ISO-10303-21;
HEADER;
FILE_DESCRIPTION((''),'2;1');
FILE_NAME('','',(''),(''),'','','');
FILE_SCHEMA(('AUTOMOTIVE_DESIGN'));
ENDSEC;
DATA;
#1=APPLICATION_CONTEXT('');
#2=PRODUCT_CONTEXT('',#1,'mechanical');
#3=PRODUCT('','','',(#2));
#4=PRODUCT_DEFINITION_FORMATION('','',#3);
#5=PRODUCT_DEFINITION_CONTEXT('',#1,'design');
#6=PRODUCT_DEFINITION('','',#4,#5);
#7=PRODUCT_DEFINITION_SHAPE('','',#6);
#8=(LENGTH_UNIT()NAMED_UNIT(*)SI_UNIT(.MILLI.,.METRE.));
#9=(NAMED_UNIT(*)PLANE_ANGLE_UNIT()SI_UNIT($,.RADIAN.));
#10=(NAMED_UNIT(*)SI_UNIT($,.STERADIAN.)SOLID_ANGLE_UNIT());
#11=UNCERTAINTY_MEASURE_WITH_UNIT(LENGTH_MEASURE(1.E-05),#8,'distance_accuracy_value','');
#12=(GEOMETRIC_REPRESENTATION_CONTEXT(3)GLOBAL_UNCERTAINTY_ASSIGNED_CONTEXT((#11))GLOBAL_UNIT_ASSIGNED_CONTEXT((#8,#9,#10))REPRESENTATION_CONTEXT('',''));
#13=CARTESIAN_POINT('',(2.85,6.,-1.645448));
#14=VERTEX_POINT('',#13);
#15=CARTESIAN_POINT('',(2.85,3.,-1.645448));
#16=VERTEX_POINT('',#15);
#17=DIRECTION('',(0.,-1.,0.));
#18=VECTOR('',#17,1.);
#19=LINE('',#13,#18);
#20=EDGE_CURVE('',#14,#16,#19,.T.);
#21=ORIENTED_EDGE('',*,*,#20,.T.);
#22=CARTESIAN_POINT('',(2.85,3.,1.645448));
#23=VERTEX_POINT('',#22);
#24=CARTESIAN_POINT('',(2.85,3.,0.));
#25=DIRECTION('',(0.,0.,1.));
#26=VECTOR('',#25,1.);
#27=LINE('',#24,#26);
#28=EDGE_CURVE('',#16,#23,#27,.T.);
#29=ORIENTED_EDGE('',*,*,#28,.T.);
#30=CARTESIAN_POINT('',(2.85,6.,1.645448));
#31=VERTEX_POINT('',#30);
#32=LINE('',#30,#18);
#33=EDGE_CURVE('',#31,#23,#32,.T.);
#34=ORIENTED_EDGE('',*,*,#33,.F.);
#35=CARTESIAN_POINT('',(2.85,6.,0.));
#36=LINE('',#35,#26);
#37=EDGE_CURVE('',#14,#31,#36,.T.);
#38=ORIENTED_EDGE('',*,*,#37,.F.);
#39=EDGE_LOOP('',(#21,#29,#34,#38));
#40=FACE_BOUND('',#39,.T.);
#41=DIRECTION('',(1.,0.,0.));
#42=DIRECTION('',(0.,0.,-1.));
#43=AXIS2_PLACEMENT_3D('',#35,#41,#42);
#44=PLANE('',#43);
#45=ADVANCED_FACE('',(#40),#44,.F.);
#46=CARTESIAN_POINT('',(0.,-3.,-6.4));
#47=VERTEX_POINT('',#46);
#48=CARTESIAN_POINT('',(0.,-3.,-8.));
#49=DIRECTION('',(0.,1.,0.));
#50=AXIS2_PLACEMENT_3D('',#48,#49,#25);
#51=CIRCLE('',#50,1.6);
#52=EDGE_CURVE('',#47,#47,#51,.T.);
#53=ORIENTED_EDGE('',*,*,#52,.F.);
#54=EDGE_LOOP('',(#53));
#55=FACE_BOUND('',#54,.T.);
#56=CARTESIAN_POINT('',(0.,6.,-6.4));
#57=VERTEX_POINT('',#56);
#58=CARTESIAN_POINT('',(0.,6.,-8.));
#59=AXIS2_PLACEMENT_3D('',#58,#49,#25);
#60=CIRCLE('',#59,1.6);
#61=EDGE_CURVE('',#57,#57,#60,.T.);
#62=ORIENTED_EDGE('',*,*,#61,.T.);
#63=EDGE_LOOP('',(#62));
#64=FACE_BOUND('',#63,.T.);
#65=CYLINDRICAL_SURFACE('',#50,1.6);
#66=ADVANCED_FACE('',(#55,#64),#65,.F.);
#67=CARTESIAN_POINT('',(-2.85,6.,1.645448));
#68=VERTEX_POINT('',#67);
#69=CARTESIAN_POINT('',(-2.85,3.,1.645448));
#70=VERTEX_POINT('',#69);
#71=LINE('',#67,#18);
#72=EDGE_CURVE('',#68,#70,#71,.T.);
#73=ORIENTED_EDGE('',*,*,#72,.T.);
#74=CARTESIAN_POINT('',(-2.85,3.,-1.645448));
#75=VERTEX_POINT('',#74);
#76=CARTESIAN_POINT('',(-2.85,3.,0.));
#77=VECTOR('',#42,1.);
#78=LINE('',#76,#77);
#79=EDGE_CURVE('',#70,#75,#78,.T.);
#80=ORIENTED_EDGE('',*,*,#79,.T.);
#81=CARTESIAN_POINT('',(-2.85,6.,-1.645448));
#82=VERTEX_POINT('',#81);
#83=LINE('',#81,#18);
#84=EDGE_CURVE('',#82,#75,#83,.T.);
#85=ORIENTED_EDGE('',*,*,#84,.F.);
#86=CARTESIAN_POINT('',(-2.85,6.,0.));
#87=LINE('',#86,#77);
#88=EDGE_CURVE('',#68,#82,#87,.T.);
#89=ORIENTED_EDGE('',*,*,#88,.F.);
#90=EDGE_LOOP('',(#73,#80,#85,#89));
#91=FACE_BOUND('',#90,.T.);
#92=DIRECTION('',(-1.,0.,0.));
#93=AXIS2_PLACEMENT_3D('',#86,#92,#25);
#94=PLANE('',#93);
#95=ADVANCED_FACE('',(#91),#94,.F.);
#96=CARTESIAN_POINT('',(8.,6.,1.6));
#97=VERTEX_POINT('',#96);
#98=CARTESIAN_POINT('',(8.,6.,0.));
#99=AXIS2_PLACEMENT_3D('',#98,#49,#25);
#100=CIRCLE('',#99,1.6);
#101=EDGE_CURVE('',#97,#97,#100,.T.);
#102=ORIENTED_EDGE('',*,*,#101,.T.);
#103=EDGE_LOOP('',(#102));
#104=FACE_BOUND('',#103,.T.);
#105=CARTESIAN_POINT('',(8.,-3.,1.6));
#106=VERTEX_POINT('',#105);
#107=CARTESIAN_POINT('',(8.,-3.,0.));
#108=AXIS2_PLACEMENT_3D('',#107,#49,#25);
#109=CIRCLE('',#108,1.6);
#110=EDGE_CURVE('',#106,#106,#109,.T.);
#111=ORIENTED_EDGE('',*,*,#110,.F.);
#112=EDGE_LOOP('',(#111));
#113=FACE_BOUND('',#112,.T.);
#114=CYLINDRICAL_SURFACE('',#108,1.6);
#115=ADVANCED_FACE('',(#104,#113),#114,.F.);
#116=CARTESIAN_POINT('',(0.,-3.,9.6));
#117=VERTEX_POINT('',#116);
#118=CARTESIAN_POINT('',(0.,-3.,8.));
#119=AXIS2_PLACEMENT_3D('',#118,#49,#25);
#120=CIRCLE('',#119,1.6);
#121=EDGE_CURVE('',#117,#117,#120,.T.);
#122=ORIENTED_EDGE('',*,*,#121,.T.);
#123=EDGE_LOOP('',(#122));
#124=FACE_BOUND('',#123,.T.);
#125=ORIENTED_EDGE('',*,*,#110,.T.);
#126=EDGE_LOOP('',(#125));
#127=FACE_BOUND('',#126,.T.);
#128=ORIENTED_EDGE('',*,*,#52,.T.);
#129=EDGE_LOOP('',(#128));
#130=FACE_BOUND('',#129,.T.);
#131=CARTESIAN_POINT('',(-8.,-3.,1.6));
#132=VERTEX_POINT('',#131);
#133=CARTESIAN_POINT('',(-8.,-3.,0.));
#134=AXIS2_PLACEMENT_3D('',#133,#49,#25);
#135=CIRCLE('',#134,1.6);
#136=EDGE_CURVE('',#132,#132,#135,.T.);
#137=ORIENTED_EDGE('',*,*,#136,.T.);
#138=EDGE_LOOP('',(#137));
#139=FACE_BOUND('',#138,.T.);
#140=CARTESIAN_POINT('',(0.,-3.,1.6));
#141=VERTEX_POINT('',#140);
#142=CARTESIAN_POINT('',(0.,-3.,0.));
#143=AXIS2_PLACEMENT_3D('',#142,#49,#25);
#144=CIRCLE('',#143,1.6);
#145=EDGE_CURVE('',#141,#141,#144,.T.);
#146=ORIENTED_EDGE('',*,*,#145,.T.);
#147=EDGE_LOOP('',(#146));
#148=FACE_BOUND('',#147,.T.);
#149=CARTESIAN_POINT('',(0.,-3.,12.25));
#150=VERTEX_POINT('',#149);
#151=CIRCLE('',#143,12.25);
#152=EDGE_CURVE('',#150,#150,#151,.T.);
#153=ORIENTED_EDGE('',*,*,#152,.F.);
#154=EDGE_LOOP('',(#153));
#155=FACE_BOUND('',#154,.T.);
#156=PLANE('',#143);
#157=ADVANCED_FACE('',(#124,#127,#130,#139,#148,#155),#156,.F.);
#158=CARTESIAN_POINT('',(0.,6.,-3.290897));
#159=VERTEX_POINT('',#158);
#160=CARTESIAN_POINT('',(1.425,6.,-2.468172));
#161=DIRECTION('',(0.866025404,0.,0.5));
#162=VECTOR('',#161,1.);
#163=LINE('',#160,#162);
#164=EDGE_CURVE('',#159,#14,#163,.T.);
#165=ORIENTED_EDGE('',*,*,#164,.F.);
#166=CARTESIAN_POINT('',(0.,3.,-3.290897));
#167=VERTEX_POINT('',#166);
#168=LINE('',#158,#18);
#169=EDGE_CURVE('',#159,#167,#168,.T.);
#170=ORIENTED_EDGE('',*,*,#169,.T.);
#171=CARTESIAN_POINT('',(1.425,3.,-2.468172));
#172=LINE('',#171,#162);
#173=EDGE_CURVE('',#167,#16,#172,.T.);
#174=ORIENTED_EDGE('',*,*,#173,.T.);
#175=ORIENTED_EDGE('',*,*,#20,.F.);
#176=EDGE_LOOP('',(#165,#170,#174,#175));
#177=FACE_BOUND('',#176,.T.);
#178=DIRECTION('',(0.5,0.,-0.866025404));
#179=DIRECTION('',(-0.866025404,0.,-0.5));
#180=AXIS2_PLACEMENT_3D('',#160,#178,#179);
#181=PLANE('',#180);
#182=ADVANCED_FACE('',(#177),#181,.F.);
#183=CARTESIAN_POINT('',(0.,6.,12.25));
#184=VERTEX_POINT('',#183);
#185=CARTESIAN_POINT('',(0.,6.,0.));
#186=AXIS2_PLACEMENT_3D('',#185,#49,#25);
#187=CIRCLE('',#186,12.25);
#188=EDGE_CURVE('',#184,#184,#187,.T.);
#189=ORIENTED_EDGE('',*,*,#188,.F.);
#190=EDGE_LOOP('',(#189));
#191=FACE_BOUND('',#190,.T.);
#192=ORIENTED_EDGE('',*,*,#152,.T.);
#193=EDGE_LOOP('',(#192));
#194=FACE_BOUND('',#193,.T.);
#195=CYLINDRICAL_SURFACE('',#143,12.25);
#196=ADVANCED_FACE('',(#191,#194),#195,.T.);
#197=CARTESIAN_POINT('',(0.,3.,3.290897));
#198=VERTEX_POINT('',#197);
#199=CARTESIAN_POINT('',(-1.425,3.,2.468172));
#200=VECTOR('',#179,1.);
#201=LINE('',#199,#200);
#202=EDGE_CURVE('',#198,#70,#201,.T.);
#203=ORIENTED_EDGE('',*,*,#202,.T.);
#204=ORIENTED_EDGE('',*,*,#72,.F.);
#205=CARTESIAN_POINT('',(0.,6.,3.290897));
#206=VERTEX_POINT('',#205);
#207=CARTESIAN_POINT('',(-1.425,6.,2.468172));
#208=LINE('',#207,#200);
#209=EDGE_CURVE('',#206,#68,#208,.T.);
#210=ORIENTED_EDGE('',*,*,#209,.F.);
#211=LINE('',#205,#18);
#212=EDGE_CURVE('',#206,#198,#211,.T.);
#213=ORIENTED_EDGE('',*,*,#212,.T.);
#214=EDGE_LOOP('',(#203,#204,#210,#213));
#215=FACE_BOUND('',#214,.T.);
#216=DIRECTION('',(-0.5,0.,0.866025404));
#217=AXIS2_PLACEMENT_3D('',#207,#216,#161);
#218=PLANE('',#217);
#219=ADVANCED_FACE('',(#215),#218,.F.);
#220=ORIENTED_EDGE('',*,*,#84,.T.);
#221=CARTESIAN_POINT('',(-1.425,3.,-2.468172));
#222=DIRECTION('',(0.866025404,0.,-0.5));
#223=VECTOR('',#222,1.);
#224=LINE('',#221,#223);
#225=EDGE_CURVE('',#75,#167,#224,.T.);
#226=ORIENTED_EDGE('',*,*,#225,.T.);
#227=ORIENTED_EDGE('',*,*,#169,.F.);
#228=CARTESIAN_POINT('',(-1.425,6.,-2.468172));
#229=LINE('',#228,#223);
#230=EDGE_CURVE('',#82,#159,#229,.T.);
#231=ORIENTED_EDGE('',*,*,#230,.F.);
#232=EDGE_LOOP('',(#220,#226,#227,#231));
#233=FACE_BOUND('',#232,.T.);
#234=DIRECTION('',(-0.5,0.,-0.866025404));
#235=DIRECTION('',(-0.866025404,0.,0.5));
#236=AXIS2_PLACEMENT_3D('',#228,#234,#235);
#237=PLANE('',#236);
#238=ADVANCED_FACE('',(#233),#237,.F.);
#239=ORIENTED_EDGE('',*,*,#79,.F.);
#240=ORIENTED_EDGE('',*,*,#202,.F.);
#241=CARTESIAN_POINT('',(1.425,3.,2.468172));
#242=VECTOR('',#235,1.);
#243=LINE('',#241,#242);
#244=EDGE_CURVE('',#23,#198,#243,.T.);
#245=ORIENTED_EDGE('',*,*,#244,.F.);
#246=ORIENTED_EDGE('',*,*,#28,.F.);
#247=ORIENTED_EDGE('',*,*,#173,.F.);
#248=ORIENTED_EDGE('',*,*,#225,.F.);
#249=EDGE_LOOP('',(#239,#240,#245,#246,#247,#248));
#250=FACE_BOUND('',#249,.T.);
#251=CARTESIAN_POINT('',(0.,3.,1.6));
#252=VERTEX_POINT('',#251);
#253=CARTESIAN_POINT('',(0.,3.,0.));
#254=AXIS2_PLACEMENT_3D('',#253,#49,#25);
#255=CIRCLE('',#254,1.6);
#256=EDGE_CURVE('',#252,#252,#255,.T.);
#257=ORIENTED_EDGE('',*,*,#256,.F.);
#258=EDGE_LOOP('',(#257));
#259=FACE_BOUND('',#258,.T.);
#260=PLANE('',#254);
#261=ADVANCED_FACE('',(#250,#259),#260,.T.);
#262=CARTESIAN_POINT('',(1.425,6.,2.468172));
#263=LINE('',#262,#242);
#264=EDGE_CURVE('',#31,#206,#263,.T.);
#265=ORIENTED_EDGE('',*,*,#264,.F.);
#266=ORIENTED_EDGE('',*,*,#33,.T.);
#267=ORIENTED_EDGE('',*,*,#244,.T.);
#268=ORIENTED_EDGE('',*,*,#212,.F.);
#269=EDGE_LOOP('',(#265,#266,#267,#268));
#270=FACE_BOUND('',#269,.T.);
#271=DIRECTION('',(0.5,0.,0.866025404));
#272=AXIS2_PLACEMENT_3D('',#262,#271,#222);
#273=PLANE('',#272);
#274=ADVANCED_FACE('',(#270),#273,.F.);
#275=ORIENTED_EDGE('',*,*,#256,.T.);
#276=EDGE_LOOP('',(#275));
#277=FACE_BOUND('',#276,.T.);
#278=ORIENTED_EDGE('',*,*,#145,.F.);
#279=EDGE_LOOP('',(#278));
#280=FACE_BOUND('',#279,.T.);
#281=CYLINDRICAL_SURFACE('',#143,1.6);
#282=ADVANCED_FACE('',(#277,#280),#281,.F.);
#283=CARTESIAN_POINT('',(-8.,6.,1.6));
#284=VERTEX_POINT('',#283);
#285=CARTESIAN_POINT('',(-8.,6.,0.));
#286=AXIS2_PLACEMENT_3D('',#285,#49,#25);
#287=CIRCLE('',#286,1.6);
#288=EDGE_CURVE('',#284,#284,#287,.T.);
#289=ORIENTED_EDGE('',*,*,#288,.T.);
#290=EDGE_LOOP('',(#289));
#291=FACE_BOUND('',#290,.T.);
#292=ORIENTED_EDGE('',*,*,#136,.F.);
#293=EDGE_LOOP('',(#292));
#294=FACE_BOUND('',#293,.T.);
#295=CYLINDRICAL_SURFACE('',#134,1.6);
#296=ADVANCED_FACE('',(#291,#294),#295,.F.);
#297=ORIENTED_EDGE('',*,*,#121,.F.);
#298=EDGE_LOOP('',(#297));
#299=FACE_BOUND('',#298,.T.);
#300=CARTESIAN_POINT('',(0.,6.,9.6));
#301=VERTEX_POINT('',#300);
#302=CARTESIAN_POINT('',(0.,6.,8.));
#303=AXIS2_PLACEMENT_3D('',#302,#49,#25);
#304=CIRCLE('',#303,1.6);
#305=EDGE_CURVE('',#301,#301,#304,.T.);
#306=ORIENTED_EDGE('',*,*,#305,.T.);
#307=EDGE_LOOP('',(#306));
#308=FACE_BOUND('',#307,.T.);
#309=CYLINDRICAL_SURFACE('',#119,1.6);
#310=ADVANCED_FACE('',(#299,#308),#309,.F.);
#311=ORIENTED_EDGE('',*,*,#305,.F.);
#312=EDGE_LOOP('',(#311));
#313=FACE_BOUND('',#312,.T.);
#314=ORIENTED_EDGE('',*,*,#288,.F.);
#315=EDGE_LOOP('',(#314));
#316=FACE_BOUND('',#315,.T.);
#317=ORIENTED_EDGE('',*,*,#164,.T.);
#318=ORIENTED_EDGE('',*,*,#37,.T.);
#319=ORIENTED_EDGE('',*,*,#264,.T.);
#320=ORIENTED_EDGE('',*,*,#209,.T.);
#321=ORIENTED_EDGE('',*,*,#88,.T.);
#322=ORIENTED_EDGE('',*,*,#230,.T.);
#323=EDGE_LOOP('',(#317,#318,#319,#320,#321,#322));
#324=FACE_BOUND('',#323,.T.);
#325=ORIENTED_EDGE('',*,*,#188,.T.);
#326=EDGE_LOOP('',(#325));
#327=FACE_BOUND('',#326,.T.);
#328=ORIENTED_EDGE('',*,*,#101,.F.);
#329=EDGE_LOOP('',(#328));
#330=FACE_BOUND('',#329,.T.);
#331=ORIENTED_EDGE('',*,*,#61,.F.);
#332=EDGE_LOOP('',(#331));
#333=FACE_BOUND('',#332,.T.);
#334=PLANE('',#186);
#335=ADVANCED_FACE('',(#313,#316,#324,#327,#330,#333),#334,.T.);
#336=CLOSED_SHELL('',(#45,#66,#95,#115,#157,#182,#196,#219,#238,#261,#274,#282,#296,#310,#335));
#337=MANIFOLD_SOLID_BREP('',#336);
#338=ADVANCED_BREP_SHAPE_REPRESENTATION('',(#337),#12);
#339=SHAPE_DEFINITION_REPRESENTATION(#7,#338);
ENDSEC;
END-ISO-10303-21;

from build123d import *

# Parameters (mm, degrees)
SKETCH_1_R      = 12.25
SKETCH_1_R_2    = 1.6
EXTRUDE_1_DEPTH = 3
EXTRUDE_START   = 3
SKETCH_1_3_R    = 12.25
SKETCH_1_3_R_2  = 1.6
EXTRUDE_2_DEPTH = 3
SKETCH_1_4_R    = 1.6
EXTRUDE_3_DEPTH = 3
SKETCH_1_5_R    = 12.25
SKETCH_1_5_R_2  = 1.6
EXTRUDE_4_DEPTH = 3


with BuildPart() as part:
    # 草图1 → 凸台-拉伸1 (new body)
    # profile 1 of 2: a face of its own
    with BuildSketch(Plane(origin=(0, 0, 0), x_dir=(1, 0, 0), z_dir=(0, 1, 0))):
        with Locations(Location((0, 0, 0), (0, 0, 270))):
            Circle(SKETCH_1_R)
        with Locations(Location((-8, 0, 0), (0, 0, 270))):
            Circle(SKETCH_1_R_2, mode=Mode.SUBTRACT)
        with Locations(Location((0, -8, 0), (0, 0, 270))):
            Circle(SKETCH_1_R_2, mode=Mode.SUBTRACT)
        with Locations(Location((8, 0, 0), (0, 0, 270))):
            Circle(SKETCH_1_R_2, mode=Mode.SUBTRACT)
        with Locations(Location((0, 8, 0), (0, 0, 270))):
            Circle(SKETCH_1_R_2, mode=Mode.SUBTRACT)
        Polygon((-2.85, -1.645448267), (0, -3.290896534), (2.85, -1.645448267), (2.85, 1.645448267), (0, 3.290896534), (-2.85, 1.645448267), align=None, mode=Mode.SUBTRACT)
    # profile 2 of 2: a face of its own
    with BuildSketch(Plane(origin=(0, 0, 0), x_dir=(1, 0, 0), z_dir=(0, 1, 0))):
        Polygon((-2.85, 1.645448267), (-2.85, -1.645448267), (0, -3.290896534), (2.85, -1.645448267), (2.85, 1.645448267), (0, 3.290896534), align=None)
        with Locations(Location((0, 0, 0), (0, 0, 270))):
            Circle(SKETCH_1_R_2, mode=Mode.SUBTRACT)
    extrude(amount=-EXTRUDE_1_DEPTH)

    # 草图1<3> → 凸台-拉伸2 (add)
    with BuildSketch(Plane(origin=(0, 0, 0), x_dir=(1, 0, 0), z_dir=(0, 1, 0)).offset(EXTRUDE_START)):
        with Locations(Location((0, 0, 0), (0, 0, 270))):
            Circle(SKETCH_1_3_R)
        with Locations(Location((-8, 0, 0), (0, 0, 270))):
            Circle(SKETCH_1_3_R_2, mode=Mode.SUBTRACT)
        with Locations(Location((0, -8, 0), (0, 0, 270))):
            Circle(SKETCH_1_3_R_2, mode=Mode.SUBTRACT)
        with Locations(Location((8, 0, 0), (0, 0, 270))):
            Circle(SKETCH_1_3_R_2, mode=Mode.SUBTRACT)
        with Locations(Location((0, 8, 0), (0, 0, 270))):
            Circle(SKETCH_1_3_R_2, mode=Mode.SUBTRACT)
        Polygon((-2.85, -1.645448267), (0, -3.290896534), (2.85, -1.645448267), (2.85, 1.645448267), (0, 3.290896534), (-2.85, 1.645448267), align=None, mode=Mode.SUBTRACT)
    extrude(amount=-EXTRUDE_2_DEPTH)

    # 草图1<4> → 凸台-拉伸3 (add)
    with BuildSketch(Plane(origin=(0, 0, 0), x_dir=(1, 0, 0), z_dir=(0, 1, 0)).offset(EXTRUDE_START)):
        Polygon((-2.85, 1.645448267), (-2.85, -1.645448267), (0, -3.290896534), (2.85, -1.645448267), (2.85, 1.645448267), (0, 3.290896534), align=None)
        with Locations(Location((0, 0, 0), (0, 0, 270))):
            Circle(SKETCH_1_4_R, mode=Mode.SUBTRACT)
    extrude(amount=-EXTRUDE_3_DEPTH)

    # 草图1<5> → 凸台-拉伸4 (add)
    with BuildSketch(Plane(origin=(0, 0, 0), x_dir=(1, 0, 0), z_dir=(0, 1, 0)).offset(EXTRUDE_START)):
        with Locations(Location((0, 0, 0), (0, 0, 270))):
            Circle(SKETCH_1_5_R)
        with Locations(Location((-8, 0, 0), (0, 0, 270))):
            Circle(SKETCH_1_5_R_2, mode=Mode.SUBTRACT)
        with Locations(Location((0, -8, 0), (0, 0, 270))):
            Circle(SKETCH_1_5_R_2, mode=Mode.SUBTRACT)
        with Locations(Location((8, 0, 0), (0, 0, 270))):
            Circle(SKETCH_1_5_R_2, mode=Mode.SUBTRACT)
        with Locations(Location((0, 8, 0), (0, 0, 270))):
            Circle(SKETCH_1_5_R_2, mode=Mode.SUBTRACT)
        Polygon((-2.85, -1.645448267), (0, -3.290896534), (2.85, -1.645448267), (2.85, 1.645448267), (0, 3.290896534), (-2.85, 1.645448267), align=None, mode=Mode.SUBTRACT)
    extrude(amount=EXTRUDE_4_DEPTH)


solid = part.part
